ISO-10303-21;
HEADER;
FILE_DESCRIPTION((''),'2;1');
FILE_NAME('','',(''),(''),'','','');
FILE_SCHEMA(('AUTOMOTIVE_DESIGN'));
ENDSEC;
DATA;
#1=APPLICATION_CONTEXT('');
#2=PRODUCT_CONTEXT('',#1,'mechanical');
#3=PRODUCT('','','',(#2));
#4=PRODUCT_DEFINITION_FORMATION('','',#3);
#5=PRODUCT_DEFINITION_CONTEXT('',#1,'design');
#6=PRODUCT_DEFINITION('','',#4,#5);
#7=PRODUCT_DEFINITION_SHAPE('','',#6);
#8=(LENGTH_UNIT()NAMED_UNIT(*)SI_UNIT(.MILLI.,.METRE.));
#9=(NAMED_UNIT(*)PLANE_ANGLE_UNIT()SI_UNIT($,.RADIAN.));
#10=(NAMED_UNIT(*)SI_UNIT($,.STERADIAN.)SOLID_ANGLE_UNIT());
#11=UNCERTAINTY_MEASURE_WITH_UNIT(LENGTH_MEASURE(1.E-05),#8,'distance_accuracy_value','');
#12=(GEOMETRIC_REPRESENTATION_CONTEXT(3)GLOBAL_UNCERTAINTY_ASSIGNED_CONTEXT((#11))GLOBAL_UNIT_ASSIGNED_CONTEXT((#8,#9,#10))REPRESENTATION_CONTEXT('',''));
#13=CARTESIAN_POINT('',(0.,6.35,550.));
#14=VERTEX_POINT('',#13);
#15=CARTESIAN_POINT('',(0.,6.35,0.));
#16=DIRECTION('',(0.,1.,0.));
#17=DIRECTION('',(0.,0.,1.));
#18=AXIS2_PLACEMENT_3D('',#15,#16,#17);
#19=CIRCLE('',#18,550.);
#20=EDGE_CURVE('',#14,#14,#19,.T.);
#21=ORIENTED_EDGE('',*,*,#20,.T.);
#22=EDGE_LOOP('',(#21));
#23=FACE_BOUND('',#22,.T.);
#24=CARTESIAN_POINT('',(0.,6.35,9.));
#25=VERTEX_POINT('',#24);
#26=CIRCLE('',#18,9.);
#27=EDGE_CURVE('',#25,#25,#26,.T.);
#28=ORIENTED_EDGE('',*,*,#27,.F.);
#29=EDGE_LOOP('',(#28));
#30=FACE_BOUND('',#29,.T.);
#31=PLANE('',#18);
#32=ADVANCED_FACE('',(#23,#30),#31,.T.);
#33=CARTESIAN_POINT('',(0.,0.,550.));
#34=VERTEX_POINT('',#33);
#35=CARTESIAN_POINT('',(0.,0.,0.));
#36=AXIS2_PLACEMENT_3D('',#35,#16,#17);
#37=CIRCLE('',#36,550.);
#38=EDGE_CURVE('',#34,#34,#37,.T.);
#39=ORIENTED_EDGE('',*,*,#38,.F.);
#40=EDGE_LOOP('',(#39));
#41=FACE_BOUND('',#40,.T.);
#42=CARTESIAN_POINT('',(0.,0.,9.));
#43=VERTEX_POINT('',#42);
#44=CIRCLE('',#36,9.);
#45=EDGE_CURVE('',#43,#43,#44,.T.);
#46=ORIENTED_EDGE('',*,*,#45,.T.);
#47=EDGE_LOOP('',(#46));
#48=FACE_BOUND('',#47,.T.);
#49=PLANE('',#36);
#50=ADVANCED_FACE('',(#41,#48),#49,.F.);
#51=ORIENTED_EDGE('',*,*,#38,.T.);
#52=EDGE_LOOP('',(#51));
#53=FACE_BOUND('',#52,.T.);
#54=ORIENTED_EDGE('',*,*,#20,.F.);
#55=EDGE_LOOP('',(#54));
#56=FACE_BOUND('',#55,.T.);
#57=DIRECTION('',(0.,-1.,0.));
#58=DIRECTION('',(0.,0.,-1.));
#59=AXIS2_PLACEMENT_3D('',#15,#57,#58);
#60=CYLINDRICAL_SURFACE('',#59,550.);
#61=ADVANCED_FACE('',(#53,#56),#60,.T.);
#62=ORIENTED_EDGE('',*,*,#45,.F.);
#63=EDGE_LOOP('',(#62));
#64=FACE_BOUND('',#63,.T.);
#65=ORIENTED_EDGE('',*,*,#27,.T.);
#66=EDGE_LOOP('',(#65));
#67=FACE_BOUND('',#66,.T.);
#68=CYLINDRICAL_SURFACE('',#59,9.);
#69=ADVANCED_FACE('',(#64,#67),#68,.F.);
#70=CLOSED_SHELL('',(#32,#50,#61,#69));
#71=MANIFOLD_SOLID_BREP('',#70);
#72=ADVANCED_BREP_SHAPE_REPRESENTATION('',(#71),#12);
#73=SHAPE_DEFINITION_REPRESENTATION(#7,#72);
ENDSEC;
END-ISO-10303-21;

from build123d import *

# Parameters (mm, degrees)
SKETCH1_R           = 550
SKETCH1_R_2         = 9
BOSS_EXTRUDE1_DEPTH = 6.35


with BuildPart() as part:
    # Sketch1 → Boss-Extrude1 (new body)
    with BuildSketch(Plane(origin=(0, 0, 0), x_dir=(1, 0, 0), z_dir=(0, 1, 0))):
        Circle(SKETCH1_R)
        Circle(SKETCH1_R_2, mode=Mode.SUBTRACT)
    extrude(amount=BOSS_EXTRUDE1_DEPTH)


solid = part.part
